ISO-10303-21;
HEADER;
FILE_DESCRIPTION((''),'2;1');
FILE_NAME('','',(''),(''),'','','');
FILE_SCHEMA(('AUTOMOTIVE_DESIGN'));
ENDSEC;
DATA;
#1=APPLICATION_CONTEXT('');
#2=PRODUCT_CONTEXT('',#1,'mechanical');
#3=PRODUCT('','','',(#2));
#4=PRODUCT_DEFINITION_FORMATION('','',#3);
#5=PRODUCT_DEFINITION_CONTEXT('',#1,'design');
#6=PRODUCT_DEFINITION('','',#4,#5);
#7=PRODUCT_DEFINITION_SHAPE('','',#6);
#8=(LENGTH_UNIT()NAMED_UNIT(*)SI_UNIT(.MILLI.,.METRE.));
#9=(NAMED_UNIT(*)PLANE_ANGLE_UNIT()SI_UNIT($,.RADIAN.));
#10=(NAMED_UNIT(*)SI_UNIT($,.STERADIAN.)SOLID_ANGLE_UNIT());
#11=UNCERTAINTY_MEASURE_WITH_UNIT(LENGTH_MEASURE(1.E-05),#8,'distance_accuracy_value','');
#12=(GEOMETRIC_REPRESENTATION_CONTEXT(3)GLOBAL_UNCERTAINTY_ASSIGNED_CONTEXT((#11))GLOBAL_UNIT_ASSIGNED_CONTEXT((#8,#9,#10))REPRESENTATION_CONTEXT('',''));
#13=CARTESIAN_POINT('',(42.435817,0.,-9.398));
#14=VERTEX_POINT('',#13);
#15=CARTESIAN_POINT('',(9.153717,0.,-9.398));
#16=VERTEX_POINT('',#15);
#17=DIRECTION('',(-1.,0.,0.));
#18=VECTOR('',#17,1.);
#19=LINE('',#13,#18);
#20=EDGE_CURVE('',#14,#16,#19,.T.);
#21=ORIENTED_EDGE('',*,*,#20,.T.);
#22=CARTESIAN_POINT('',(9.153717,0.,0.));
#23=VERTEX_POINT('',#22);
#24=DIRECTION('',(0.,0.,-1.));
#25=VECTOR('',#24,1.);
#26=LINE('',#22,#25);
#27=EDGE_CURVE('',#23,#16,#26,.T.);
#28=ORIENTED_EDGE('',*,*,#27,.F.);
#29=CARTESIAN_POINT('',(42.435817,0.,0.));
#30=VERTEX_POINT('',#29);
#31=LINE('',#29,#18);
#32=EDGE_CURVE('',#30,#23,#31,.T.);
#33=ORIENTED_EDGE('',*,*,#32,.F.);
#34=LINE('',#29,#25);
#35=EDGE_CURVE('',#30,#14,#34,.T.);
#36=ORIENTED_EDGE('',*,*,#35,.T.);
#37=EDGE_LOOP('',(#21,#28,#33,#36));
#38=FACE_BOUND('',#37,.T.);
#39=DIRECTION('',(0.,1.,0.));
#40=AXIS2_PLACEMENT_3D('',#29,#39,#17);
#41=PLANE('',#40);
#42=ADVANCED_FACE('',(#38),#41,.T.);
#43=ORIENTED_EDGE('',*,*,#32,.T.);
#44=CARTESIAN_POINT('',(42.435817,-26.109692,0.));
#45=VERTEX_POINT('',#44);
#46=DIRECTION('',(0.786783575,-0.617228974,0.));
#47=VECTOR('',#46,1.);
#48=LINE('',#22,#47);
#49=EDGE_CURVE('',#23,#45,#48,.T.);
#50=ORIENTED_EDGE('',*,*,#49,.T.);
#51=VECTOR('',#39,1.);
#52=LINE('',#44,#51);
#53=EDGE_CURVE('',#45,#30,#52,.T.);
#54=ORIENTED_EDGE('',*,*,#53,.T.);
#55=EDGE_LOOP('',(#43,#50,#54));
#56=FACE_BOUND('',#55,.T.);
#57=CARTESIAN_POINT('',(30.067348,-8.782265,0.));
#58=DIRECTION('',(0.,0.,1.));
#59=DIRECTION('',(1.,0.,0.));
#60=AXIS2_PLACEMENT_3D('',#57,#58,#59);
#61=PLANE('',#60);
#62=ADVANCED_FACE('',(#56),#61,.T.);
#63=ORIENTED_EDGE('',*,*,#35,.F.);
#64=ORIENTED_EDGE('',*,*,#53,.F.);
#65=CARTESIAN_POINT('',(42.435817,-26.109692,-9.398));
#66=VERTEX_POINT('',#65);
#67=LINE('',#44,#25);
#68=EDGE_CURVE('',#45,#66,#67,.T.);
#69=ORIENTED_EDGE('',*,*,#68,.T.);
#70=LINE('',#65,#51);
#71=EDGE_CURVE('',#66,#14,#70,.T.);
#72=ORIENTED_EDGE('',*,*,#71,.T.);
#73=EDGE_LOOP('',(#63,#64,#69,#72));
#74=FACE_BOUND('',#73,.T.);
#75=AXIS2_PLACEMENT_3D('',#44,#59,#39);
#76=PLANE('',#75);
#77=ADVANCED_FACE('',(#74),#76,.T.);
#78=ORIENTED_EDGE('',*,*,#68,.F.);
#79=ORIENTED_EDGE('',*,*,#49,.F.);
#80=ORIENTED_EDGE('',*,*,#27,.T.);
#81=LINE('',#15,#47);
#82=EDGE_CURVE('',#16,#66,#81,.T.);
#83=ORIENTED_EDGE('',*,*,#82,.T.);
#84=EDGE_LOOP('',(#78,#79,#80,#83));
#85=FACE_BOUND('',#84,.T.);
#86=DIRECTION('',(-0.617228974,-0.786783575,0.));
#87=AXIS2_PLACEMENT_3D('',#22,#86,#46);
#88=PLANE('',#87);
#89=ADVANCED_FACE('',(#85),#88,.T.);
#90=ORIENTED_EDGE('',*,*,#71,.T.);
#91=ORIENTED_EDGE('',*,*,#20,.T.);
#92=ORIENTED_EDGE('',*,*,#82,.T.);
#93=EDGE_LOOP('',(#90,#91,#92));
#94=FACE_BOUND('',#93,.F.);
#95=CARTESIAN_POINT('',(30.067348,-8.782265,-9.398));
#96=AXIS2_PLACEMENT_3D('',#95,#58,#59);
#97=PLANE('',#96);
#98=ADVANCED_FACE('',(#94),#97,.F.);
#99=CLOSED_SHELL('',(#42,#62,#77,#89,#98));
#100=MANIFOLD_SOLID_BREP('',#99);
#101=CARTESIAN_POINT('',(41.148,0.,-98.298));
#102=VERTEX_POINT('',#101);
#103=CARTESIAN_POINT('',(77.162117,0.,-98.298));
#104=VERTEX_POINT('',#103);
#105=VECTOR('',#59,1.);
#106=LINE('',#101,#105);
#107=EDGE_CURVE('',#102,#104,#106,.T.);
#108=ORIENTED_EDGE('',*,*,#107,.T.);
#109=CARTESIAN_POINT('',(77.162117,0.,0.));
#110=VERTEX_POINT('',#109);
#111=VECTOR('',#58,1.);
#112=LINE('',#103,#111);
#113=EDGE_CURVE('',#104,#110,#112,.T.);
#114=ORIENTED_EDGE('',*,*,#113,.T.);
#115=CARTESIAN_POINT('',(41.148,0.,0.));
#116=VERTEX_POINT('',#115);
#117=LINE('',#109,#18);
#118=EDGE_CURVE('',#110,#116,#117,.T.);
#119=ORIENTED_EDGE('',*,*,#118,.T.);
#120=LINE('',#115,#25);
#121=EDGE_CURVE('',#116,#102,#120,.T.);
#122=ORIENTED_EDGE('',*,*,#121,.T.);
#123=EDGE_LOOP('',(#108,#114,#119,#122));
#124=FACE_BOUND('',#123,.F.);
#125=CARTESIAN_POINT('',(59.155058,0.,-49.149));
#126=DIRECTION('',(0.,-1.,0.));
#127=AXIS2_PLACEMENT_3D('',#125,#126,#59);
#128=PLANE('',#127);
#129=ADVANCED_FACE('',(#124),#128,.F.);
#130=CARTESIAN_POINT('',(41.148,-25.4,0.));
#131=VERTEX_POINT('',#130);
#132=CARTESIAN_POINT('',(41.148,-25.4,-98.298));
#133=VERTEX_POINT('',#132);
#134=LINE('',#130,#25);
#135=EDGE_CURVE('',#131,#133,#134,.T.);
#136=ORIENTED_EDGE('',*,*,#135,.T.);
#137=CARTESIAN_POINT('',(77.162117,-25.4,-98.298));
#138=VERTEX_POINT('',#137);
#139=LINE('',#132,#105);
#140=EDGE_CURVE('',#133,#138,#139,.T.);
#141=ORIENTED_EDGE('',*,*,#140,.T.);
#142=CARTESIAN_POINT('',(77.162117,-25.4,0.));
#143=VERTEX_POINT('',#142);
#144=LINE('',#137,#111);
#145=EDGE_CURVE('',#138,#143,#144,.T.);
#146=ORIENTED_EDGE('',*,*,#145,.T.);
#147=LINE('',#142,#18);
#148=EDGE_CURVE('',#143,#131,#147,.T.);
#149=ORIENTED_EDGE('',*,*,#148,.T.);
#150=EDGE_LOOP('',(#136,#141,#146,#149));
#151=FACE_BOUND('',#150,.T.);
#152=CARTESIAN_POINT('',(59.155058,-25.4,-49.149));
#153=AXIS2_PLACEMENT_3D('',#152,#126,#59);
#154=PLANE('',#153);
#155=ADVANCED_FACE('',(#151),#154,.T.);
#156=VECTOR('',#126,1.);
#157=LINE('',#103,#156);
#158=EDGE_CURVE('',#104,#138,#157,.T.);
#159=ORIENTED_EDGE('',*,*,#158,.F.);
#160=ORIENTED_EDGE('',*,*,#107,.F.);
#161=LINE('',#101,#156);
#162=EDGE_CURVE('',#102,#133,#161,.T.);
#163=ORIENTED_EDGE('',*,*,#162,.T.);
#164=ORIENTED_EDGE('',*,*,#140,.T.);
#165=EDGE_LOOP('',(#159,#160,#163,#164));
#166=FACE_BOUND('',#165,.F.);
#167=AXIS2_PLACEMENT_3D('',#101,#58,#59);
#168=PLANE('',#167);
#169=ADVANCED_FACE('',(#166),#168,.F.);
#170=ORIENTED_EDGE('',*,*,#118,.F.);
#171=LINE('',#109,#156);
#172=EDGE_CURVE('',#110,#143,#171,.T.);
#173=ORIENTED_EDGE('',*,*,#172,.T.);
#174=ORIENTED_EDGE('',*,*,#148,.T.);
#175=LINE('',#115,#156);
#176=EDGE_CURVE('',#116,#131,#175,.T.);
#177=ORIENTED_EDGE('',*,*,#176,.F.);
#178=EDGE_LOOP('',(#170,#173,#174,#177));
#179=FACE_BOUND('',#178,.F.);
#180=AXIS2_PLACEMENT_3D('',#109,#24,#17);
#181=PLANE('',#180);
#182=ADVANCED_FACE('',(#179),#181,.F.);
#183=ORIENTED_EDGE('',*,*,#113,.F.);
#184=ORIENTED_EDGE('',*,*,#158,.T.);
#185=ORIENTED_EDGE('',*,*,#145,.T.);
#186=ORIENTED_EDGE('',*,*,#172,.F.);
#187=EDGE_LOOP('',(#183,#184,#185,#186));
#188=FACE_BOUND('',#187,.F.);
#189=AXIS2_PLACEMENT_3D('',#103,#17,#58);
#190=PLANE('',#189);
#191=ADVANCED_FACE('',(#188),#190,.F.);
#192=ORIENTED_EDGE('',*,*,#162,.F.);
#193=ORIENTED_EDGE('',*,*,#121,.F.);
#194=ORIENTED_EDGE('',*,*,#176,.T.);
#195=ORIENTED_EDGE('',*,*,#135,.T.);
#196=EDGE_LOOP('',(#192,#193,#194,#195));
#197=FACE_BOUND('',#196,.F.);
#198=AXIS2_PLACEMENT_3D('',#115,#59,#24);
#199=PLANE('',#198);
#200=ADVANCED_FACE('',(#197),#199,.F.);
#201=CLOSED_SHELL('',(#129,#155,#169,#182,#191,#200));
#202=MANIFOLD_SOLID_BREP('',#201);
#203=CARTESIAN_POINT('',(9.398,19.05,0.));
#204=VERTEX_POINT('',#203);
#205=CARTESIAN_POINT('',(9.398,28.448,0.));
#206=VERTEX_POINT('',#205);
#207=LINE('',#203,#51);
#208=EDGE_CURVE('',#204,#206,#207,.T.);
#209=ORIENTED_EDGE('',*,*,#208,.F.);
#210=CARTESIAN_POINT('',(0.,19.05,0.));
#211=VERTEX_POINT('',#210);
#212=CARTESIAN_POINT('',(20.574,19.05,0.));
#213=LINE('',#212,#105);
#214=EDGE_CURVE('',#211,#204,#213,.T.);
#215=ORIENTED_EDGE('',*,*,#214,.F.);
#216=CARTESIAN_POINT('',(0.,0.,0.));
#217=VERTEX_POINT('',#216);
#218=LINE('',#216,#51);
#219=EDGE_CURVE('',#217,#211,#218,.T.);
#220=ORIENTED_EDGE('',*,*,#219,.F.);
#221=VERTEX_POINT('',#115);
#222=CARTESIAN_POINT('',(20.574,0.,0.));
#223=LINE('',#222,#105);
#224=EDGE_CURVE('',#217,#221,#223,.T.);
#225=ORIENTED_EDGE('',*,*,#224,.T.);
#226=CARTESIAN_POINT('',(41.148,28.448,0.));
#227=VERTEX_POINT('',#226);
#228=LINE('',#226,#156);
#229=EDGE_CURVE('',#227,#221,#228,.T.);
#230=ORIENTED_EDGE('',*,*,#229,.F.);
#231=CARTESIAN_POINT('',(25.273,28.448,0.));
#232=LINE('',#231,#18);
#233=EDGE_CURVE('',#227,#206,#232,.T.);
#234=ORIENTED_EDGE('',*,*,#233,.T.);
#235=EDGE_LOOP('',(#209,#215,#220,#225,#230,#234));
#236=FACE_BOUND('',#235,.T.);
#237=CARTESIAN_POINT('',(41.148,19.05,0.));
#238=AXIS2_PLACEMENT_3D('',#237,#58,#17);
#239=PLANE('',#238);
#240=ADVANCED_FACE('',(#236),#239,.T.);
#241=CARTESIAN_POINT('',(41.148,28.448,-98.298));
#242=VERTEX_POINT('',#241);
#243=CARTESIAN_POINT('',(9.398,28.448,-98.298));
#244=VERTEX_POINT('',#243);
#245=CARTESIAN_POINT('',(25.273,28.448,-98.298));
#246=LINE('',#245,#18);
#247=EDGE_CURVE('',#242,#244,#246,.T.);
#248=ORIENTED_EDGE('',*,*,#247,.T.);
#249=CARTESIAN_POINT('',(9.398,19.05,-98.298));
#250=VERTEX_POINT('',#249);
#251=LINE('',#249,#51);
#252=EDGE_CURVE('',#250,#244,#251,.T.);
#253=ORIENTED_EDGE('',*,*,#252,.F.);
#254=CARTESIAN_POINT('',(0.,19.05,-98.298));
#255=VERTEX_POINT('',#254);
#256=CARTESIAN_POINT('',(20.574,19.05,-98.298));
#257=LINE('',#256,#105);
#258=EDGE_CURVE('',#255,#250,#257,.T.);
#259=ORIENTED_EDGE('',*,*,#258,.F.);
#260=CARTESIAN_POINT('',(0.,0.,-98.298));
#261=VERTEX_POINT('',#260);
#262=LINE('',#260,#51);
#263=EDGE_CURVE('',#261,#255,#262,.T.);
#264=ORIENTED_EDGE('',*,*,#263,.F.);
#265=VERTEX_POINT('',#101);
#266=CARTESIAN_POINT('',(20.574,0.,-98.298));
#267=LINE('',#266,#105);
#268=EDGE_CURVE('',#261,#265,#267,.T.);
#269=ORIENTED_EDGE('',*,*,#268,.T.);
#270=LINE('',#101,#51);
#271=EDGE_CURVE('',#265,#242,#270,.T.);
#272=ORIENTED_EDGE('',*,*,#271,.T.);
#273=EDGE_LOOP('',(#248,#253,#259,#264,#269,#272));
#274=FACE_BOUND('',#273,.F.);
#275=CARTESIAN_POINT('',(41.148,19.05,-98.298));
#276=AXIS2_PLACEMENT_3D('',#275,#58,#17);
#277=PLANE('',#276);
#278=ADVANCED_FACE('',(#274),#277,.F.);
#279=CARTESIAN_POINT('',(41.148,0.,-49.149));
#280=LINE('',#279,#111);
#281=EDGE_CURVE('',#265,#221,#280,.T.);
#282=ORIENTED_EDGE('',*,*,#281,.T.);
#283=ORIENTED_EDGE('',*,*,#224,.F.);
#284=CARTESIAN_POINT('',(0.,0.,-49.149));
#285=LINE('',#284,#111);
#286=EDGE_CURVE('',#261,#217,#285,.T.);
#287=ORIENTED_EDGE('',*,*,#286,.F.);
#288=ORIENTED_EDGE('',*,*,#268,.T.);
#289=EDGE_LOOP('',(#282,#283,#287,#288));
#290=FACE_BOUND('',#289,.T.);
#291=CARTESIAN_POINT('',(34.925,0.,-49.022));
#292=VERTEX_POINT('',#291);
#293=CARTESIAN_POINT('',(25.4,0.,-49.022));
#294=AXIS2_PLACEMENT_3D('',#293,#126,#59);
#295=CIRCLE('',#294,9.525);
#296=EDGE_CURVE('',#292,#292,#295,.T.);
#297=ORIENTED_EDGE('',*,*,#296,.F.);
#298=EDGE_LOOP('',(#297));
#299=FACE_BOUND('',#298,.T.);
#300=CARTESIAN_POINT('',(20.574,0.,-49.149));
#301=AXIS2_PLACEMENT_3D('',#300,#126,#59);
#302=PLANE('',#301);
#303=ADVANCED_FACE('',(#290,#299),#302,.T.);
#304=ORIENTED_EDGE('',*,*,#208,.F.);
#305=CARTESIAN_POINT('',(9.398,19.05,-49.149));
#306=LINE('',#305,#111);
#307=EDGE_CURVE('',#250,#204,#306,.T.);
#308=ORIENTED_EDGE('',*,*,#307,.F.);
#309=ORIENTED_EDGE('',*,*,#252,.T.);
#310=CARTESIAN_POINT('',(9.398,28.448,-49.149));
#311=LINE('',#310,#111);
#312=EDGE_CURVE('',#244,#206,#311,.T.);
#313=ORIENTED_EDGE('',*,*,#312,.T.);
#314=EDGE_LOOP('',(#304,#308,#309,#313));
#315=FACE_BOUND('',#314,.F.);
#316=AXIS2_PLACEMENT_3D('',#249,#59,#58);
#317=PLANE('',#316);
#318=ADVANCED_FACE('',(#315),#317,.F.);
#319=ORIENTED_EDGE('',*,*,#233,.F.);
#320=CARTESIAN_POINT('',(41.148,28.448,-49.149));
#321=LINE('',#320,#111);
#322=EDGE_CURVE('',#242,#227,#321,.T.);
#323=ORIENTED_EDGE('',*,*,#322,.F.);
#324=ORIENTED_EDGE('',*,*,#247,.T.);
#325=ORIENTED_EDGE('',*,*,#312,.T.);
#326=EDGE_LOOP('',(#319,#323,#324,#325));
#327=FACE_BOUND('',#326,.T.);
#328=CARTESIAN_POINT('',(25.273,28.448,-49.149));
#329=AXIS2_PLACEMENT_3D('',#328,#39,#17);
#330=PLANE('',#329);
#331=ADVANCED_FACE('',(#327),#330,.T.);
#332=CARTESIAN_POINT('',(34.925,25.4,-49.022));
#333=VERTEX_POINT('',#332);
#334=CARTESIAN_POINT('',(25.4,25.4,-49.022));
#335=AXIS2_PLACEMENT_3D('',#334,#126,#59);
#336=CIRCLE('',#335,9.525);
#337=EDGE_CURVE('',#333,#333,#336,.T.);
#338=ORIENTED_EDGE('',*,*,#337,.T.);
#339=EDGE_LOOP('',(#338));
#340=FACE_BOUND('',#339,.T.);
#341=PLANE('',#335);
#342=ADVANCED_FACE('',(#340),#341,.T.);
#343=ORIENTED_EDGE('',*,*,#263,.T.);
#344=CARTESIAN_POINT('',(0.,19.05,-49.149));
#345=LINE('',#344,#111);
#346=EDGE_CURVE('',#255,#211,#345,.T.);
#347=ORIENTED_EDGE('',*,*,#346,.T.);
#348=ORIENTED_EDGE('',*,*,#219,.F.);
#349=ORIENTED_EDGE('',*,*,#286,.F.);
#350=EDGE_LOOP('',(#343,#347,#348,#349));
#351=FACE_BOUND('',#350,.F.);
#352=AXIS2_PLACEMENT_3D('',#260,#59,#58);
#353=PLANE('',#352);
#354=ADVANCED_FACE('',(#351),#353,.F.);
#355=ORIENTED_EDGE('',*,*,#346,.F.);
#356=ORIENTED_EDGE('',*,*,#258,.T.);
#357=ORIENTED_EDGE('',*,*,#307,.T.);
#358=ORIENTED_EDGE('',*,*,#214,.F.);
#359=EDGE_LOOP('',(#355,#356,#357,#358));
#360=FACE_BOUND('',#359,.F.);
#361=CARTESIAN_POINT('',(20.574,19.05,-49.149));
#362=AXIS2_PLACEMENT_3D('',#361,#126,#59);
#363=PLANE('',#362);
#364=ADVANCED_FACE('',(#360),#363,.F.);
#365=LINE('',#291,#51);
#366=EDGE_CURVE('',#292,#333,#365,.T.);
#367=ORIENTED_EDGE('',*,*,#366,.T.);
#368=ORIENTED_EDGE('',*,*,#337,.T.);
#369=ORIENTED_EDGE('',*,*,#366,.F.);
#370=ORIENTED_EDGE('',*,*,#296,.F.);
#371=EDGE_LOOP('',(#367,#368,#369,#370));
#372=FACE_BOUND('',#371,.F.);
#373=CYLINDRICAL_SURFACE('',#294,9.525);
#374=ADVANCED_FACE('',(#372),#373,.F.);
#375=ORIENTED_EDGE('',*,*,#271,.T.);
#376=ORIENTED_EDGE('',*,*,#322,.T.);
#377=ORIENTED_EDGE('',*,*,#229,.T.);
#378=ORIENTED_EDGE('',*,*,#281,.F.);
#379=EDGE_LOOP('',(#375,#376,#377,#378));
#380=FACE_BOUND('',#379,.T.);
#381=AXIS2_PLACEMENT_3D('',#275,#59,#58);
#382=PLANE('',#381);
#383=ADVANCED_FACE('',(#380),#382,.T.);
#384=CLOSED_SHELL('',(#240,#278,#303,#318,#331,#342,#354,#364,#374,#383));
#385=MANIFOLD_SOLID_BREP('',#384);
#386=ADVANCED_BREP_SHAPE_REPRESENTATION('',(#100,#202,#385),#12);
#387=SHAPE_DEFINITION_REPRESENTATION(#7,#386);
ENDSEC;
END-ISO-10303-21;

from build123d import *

# Parameters (mm, degrees)
F0_W     = 41.148
F0_H     = 98.298
F1_DEPTH = 19.05
F2_W     = 31.75
F2_H     = 98.298
F3_DEPTH = 9.398
F4_R     = 9.525
F5_DEPTH = 25.4
F7_DEPTH = 25.4
F9_DEPTH = 9.398


with BuildPart() as f1:
    # F0 (on Front) → F1 (new body)
    with BuildSketch(Plane.XZ):
        with Locations((20.574, -49.149)):
            Rectangle(F0_W, F0_H)
    extrude(amount=-F1_DEPTH)

    # F2 (on face) → F3 (join)
    with BuildSketch(Plane(origin=(0, 19.05, 0), x_dir=(-1, 0, 0), z_dir=(0, 1, 0))):
        with Locations((-25.273, -49.149)):
            Rectangle(F2_W, F2_H)
    extrude(amount=F3_DEPTH)

    # F4 (on face) → F5 (cut)
    with BuildSketch(Plane.XZ):
        with Locations((25.4, -49.022)):
            Circle(F4_R)
    extrude(amount=-F5_DEPTH, mode=Mode.SUBTRACT)


with BuildPart() as f7:
    # F6 (on face) → F7 (new body)
    with BuildSketch(Plane.XZ):
        Polygon((77.162116766, 0), (41.148, 0), (41.148, -9.398), (41.148, -88.9), (41.148, -98.298), (77.162116766, -98.298), align=None)
    extrude(amount=F7_DEPTH)


with BuildPart() as f9:
    # F8 (on Top) → F9 (new body)
    with BuildSketch(Plane.XY):
        Polygon((9.1537171975, 0), (42.4358174205, -26.1096917093), (42.4358174205, 0), align=None)
    extrude(amount=-F9_DEPTH)


solid = Compound([f1.part, f7.part, f9.part])
